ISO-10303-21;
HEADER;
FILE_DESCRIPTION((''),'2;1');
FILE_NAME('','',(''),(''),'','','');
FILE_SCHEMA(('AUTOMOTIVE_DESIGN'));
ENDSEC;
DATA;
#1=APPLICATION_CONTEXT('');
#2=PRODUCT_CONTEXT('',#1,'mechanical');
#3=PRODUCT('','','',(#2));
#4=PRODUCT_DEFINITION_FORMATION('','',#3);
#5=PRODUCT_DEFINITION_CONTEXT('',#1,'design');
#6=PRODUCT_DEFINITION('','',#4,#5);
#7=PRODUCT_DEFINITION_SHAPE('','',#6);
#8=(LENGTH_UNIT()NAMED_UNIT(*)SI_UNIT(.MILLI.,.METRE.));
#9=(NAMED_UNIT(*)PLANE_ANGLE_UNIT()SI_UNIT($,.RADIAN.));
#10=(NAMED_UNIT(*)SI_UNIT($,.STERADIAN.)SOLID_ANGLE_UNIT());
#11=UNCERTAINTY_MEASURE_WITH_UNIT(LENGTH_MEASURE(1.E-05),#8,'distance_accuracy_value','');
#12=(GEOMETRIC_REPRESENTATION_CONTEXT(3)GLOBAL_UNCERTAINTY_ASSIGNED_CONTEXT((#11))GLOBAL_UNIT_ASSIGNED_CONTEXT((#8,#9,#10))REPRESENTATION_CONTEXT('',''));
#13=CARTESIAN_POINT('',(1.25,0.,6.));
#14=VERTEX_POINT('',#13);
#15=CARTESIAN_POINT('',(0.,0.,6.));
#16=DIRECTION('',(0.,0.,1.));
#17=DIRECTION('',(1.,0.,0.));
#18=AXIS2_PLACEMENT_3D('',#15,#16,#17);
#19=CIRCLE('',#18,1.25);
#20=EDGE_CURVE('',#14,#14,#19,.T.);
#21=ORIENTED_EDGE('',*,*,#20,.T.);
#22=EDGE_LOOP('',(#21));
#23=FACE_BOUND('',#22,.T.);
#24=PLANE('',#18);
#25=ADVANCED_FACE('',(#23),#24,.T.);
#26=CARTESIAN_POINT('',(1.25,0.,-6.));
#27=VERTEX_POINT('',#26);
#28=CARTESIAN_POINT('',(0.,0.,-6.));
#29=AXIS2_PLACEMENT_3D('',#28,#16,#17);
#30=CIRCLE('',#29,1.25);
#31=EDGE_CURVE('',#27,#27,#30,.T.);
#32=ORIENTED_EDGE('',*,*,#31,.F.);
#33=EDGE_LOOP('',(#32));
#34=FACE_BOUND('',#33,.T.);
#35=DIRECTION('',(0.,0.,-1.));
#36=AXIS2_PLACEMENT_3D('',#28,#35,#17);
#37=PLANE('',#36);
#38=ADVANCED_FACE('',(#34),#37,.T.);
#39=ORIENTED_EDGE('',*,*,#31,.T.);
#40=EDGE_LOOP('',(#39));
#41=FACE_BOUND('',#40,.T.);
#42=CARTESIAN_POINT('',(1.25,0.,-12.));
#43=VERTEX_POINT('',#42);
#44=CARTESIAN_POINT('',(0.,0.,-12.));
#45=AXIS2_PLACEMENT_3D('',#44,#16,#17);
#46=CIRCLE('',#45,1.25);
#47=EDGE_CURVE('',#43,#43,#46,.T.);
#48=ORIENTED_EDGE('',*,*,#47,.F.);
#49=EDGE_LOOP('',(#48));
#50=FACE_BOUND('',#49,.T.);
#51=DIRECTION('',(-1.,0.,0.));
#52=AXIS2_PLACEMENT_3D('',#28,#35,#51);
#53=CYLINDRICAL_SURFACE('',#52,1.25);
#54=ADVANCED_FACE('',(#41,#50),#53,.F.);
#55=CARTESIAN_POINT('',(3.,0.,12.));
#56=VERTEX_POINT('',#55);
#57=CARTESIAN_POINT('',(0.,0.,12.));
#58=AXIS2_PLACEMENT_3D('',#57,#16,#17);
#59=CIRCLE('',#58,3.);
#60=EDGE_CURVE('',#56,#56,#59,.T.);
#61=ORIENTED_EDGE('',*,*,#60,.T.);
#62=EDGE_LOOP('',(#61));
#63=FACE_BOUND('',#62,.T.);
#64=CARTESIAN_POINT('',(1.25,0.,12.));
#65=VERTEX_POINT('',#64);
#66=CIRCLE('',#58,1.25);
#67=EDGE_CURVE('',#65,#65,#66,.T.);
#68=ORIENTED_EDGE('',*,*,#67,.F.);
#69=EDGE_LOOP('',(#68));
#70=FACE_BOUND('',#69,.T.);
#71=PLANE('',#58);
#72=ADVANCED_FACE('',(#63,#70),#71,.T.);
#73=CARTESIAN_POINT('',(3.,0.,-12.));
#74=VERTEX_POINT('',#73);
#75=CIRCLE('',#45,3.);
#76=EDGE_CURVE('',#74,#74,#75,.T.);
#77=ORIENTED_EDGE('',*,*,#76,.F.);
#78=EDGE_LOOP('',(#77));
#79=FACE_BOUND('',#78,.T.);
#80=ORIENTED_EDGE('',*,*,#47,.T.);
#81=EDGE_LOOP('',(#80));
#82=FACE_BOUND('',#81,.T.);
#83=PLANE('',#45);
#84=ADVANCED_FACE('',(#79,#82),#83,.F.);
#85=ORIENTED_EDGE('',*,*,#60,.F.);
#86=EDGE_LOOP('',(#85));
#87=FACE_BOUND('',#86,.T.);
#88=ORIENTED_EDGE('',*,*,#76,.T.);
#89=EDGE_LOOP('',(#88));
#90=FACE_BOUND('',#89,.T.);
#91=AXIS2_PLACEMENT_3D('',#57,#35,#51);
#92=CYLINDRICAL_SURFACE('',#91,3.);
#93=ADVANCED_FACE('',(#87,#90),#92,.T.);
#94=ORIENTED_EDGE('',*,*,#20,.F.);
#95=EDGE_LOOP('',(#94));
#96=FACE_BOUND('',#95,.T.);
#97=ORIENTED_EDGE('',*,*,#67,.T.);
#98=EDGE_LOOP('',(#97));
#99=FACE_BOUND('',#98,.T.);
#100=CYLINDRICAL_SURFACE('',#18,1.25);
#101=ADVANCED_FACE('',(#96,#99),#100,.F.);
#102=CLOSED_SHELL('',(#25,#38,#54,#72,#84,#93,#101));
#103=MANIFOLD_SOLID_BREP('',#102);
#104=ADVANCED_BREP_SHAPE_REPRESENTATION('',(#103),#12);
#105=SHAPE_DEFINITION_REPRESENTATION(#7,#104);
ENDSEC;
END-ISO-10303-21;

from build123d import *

# Parameters (mm, degrees)
SKETCH_1_R          = 3
EXTRUDE_1_DEPTH     = 12
SKETCH_2_R          = 1.25
CUT_EXTRUDE_1_DEPTH = 6


with BuildPart() as part:
    # ｽｹｯﾁ1 → ﾎﾞｽ - 押し出し1 (new, symmetric)
    with BuildSketch(Plane.XY):
        Circle(SKETCH_1_R)
    extrude(amount=EXTRUDE_1_DEPTH, both=True)

    # ｽｹｯﾁ2 → ｶｯﾄ - 押し出し1 (cut)
    with BuildSketch(Plane.XY.offset(12)):
        Circle(SKETCH_2_R)
    cut_extrude_1 = extrude(amount=-CUT_EXTRUDE_1_DEPTH, mode=Mode.SUBTRACT)

    # ﾐﾗｰ1: ｶｯﾄ - 押し出し1 across plane
    add(cut_extrude_1.mirror(Plane.XY), mode=Mode.SUBTRACT)


solid = part.part
